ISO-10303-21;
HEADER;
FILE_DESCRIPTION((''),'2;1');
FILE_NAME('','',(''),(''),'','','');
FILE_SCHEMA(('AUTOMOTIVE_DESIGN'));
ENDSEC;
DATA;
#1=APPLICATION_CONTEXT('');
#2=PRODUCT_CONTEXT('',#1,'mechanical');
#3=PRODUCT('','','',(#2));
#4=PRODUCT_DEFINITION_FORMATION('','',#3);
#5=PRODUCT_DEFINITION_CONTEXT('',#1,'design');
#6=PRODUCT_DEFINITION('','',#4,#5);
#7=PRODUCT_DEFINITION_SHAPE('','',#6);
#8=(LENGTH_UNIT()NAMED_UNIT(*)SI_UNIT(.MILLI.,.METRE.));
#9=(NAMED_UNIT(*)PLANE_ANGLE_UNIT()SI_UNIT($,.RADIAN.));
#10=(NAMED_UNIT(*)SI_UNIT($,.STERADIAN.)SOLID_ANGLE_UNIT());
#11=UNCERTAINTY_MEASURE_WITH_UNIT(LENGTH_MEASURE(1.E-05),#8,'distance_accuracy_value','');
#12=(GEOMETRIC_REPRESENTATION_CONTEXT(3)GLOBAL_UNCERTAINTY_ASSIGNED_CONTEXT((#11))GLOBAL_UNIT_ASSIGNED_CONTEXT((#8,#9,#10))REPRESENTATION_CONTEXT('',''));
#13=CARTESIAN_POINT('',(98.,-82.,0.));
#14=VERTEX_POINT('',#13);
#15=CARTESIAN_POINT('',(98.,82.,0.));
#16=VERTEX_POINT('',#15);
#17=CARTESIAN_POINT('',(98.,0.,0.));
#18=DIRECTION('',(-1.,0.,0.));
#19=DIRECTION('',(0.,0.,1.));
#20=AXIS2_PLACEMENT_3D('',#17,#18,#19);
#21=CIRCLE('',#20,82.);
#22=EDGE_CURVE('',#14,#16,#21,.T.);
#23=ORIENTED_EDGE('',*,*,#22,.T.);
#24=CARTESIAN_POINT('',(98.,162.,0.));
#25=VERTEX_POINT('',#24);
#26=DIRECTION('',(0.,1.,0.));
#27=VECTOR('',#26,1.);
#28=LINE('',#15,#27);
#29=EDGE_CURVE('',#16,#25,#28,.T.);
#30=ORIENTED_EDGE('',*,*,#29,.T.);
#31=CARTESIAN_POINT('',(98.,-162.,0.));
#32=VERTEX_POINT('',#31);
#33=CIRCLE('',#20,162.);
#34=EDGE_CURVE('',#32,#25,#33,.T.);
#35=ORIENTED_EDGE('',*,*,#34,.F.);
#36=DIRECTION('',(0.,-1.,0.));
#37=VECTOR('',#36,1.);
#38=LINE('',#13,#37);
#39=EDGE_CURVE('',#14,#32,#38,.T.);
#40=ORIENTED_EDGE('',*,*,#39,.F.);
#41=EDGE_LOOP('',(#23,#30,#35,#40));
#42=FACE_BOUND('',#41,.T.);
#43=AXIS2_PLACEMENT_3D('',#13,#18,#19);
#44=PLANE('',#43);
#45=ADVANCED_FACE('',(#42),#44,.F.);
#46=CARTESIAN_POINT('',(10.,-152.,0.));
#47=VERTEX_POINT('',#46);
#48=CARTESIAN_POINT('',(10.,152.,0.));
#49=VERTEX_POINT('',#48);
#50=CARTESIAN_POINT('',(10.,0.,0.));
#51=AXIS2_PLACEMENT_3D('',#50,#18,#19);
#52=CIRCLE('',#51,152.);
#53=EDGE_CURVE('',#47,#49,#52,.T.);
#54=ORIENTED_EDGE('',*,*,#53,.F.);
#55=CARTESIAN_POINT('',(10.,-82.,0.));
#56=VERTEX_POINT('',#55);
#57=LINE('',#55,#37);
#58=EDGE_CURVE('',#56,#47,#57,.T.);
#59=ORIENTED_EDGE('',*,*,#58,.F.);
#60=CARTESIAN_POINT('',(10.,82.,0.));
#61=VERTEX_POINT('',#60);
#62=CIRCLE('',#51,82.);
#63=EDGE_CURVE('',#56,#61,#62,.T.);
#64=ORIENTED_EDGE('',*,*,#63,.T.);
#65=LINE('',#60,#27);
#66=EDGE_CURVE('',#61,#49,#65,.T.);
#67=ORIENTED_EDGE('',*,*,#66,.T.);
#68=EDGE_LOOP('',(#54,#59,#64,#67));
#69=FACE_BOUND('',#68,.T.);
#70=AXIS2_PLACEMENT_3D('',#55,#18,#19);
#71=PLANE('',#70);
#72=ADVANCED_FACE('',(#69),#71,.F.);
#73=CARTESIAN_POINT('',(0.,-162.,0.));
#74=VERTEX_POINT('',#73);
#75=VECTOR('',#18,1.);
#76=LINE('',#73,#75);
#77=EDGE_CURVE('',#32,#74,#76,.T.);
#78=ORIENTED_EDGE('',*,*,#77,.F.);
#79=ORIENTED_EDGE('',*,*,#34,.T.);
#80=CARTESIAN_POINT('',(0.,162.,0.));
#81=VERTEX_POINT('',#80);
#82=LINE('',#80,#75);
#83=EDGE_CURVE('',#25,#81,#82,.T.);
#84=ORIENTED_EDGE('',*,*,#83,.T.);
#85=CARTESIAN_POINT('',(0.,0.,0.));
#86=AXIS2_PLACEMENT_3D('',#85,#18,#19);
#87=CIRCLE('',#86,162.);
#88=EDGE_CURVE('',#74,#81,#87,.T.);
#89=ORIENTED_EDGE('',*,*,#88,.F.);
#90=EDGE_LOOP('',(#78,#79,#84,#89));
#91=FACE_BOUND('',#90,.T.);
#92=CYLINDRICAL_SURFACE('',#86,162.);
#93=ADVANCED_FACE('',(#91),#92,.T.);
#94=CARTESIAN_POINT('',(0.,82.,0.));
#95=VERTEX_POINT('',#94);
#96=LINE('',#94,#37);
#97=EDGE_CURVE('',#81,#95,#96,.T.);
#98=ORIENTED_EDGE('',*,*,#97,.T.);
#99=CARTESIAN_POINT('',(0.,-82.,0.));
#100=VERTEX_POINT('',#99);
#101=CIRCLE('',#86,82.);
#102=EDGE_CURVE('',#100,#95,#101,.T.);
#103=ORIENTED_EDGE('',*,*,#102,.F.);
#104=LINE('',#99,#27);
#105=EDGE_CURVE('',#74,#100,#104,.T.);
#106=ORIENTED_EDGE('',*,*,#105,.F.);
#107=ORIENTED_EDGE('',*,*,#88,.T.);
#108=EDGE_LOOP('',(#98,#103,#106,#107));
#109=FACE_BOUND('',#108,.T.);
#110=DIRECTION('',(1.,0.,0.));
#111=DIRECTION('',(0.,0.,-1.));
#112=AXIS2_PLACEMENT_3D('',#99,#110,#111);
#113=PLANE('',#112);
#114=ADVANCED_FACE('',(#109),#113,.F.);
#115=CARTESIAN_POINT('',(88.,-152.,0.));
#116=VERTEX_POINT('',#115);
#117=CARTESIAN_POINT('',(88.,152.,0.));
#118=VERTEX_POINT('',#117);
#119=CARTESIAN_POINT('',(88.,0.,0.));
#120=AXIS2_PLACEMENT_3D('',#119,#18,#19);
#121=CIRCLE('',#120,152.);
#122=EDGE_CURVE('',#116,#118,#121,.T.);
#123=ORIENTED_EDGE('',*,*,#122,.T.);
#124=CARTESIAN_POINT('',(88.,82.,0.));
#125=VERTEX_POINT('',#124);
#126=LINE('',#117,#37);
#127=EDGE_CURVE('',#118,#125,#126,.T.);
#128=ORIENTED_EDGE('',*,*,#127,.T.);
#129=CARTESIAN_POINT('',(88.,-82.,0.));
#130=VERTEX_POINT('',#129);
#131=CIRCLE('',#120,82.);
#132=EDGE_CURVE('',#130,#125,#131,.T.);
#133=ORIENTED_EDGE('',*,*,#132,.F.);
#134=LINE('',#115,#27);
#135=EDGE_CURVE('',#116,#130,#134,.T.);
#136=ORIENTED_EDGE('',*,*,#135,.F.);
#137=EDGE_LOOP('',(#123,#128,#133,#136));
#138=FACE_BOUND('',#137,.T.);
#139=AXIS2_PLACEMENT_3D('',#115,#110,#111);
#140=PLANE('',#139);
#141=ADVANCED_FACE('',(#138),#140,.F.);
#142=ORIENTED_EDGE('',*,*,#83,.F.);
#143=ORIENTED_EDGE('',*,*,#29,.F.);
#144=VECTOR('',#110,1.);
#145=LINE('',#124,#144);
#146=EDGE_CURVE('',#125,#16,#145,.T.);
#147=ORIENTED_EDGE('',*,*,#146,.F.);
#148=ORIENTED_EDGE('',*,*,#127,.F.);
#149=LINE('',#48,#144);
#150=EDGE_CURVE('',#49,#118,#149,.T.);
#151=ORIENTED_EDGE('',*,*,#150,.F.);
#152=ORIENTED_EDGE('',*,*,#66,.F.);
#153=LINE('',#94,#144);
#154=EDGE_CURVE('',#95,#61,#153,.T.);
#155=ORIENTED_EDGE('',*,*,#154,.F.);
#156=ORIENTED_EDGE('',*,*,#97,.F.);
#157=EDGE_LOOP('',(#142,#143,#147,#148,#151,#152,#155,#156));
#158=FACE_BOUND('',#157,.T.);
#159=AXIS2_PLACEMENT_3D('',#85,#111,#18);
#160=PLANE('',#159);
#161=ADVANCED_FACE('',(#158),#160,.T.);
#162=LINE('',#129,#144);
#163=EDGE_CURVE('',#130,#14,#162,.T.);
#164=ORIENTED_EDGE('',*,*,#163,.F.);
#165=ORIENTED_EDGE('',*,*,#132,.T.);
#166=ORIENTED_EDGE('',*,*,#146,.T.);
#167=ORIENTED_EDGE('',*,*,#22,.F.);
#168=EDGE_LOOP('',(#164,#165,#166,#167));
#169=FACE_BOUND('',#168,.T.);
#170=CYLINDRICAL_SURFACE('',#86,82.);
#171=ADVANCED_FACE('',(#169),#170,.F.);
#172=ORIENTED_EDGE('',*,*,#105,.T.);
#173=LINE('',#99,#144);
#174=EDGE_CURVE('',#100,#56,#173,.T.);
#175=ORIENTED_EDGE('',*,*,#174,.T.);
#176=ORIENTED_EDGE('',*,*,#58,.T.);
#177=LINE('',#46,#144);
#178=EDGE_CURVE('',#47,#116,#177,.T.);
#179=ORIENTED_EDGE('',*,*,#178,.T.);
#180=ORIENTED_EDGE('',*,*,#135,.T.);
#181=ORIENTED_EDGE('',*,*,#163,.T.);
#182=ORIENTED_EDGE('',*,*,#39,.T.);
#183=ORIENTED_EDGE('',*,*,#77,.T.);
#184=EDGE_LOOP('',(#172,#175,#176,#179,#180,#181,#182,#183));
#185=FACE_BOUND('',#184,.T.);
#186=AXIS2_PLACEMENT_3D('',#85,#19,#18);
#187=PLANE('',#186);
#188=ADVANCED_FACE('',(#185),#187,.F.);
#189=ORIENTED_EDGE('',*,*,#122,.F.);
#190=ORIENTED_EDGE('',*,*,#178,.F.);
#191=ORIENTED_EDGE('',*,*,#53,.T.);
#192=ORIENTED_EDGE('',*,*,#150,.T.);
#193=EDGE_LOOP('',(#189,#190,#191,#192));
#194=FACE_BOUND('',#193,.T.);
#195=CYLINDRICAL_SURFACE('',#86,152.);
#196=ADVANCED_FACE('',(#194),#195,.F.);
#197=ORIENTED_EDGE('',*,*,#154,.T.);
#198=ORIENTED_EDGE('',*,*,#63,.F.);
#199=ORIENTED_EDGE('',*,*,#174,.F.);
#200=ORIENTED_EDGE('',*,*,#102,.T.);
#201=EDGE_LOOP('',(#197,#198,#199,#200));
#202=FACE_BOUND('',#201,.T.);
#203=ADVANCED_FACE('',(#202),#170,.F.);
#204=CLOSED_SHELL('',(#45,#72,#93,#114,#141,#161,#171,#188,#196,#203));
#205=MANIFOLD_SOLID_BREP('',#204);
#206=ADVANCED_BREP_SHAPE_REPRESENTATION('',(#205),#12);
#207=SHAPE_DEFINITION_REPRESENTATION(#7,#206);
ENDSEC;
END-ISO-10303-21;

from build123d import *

# Parameters (mm, degrees)
REVOLVE_1_ANGLE = 180


with BuildPart() as part:
    # 草图1 → 旋转1 (revolve)
    with BuildSketch(Plane.XY):
        Polygon((0, 82), (0, 162), (98, 162), (98, 82), (88, 82), (88, 152), (10, 152), (10, 82), align=None)
    revolve(axis=Axis((0, 0, 0), (1, 0, 0)), revolution_arc=REVOLVE_1_ANGLE)


solid = part.part
